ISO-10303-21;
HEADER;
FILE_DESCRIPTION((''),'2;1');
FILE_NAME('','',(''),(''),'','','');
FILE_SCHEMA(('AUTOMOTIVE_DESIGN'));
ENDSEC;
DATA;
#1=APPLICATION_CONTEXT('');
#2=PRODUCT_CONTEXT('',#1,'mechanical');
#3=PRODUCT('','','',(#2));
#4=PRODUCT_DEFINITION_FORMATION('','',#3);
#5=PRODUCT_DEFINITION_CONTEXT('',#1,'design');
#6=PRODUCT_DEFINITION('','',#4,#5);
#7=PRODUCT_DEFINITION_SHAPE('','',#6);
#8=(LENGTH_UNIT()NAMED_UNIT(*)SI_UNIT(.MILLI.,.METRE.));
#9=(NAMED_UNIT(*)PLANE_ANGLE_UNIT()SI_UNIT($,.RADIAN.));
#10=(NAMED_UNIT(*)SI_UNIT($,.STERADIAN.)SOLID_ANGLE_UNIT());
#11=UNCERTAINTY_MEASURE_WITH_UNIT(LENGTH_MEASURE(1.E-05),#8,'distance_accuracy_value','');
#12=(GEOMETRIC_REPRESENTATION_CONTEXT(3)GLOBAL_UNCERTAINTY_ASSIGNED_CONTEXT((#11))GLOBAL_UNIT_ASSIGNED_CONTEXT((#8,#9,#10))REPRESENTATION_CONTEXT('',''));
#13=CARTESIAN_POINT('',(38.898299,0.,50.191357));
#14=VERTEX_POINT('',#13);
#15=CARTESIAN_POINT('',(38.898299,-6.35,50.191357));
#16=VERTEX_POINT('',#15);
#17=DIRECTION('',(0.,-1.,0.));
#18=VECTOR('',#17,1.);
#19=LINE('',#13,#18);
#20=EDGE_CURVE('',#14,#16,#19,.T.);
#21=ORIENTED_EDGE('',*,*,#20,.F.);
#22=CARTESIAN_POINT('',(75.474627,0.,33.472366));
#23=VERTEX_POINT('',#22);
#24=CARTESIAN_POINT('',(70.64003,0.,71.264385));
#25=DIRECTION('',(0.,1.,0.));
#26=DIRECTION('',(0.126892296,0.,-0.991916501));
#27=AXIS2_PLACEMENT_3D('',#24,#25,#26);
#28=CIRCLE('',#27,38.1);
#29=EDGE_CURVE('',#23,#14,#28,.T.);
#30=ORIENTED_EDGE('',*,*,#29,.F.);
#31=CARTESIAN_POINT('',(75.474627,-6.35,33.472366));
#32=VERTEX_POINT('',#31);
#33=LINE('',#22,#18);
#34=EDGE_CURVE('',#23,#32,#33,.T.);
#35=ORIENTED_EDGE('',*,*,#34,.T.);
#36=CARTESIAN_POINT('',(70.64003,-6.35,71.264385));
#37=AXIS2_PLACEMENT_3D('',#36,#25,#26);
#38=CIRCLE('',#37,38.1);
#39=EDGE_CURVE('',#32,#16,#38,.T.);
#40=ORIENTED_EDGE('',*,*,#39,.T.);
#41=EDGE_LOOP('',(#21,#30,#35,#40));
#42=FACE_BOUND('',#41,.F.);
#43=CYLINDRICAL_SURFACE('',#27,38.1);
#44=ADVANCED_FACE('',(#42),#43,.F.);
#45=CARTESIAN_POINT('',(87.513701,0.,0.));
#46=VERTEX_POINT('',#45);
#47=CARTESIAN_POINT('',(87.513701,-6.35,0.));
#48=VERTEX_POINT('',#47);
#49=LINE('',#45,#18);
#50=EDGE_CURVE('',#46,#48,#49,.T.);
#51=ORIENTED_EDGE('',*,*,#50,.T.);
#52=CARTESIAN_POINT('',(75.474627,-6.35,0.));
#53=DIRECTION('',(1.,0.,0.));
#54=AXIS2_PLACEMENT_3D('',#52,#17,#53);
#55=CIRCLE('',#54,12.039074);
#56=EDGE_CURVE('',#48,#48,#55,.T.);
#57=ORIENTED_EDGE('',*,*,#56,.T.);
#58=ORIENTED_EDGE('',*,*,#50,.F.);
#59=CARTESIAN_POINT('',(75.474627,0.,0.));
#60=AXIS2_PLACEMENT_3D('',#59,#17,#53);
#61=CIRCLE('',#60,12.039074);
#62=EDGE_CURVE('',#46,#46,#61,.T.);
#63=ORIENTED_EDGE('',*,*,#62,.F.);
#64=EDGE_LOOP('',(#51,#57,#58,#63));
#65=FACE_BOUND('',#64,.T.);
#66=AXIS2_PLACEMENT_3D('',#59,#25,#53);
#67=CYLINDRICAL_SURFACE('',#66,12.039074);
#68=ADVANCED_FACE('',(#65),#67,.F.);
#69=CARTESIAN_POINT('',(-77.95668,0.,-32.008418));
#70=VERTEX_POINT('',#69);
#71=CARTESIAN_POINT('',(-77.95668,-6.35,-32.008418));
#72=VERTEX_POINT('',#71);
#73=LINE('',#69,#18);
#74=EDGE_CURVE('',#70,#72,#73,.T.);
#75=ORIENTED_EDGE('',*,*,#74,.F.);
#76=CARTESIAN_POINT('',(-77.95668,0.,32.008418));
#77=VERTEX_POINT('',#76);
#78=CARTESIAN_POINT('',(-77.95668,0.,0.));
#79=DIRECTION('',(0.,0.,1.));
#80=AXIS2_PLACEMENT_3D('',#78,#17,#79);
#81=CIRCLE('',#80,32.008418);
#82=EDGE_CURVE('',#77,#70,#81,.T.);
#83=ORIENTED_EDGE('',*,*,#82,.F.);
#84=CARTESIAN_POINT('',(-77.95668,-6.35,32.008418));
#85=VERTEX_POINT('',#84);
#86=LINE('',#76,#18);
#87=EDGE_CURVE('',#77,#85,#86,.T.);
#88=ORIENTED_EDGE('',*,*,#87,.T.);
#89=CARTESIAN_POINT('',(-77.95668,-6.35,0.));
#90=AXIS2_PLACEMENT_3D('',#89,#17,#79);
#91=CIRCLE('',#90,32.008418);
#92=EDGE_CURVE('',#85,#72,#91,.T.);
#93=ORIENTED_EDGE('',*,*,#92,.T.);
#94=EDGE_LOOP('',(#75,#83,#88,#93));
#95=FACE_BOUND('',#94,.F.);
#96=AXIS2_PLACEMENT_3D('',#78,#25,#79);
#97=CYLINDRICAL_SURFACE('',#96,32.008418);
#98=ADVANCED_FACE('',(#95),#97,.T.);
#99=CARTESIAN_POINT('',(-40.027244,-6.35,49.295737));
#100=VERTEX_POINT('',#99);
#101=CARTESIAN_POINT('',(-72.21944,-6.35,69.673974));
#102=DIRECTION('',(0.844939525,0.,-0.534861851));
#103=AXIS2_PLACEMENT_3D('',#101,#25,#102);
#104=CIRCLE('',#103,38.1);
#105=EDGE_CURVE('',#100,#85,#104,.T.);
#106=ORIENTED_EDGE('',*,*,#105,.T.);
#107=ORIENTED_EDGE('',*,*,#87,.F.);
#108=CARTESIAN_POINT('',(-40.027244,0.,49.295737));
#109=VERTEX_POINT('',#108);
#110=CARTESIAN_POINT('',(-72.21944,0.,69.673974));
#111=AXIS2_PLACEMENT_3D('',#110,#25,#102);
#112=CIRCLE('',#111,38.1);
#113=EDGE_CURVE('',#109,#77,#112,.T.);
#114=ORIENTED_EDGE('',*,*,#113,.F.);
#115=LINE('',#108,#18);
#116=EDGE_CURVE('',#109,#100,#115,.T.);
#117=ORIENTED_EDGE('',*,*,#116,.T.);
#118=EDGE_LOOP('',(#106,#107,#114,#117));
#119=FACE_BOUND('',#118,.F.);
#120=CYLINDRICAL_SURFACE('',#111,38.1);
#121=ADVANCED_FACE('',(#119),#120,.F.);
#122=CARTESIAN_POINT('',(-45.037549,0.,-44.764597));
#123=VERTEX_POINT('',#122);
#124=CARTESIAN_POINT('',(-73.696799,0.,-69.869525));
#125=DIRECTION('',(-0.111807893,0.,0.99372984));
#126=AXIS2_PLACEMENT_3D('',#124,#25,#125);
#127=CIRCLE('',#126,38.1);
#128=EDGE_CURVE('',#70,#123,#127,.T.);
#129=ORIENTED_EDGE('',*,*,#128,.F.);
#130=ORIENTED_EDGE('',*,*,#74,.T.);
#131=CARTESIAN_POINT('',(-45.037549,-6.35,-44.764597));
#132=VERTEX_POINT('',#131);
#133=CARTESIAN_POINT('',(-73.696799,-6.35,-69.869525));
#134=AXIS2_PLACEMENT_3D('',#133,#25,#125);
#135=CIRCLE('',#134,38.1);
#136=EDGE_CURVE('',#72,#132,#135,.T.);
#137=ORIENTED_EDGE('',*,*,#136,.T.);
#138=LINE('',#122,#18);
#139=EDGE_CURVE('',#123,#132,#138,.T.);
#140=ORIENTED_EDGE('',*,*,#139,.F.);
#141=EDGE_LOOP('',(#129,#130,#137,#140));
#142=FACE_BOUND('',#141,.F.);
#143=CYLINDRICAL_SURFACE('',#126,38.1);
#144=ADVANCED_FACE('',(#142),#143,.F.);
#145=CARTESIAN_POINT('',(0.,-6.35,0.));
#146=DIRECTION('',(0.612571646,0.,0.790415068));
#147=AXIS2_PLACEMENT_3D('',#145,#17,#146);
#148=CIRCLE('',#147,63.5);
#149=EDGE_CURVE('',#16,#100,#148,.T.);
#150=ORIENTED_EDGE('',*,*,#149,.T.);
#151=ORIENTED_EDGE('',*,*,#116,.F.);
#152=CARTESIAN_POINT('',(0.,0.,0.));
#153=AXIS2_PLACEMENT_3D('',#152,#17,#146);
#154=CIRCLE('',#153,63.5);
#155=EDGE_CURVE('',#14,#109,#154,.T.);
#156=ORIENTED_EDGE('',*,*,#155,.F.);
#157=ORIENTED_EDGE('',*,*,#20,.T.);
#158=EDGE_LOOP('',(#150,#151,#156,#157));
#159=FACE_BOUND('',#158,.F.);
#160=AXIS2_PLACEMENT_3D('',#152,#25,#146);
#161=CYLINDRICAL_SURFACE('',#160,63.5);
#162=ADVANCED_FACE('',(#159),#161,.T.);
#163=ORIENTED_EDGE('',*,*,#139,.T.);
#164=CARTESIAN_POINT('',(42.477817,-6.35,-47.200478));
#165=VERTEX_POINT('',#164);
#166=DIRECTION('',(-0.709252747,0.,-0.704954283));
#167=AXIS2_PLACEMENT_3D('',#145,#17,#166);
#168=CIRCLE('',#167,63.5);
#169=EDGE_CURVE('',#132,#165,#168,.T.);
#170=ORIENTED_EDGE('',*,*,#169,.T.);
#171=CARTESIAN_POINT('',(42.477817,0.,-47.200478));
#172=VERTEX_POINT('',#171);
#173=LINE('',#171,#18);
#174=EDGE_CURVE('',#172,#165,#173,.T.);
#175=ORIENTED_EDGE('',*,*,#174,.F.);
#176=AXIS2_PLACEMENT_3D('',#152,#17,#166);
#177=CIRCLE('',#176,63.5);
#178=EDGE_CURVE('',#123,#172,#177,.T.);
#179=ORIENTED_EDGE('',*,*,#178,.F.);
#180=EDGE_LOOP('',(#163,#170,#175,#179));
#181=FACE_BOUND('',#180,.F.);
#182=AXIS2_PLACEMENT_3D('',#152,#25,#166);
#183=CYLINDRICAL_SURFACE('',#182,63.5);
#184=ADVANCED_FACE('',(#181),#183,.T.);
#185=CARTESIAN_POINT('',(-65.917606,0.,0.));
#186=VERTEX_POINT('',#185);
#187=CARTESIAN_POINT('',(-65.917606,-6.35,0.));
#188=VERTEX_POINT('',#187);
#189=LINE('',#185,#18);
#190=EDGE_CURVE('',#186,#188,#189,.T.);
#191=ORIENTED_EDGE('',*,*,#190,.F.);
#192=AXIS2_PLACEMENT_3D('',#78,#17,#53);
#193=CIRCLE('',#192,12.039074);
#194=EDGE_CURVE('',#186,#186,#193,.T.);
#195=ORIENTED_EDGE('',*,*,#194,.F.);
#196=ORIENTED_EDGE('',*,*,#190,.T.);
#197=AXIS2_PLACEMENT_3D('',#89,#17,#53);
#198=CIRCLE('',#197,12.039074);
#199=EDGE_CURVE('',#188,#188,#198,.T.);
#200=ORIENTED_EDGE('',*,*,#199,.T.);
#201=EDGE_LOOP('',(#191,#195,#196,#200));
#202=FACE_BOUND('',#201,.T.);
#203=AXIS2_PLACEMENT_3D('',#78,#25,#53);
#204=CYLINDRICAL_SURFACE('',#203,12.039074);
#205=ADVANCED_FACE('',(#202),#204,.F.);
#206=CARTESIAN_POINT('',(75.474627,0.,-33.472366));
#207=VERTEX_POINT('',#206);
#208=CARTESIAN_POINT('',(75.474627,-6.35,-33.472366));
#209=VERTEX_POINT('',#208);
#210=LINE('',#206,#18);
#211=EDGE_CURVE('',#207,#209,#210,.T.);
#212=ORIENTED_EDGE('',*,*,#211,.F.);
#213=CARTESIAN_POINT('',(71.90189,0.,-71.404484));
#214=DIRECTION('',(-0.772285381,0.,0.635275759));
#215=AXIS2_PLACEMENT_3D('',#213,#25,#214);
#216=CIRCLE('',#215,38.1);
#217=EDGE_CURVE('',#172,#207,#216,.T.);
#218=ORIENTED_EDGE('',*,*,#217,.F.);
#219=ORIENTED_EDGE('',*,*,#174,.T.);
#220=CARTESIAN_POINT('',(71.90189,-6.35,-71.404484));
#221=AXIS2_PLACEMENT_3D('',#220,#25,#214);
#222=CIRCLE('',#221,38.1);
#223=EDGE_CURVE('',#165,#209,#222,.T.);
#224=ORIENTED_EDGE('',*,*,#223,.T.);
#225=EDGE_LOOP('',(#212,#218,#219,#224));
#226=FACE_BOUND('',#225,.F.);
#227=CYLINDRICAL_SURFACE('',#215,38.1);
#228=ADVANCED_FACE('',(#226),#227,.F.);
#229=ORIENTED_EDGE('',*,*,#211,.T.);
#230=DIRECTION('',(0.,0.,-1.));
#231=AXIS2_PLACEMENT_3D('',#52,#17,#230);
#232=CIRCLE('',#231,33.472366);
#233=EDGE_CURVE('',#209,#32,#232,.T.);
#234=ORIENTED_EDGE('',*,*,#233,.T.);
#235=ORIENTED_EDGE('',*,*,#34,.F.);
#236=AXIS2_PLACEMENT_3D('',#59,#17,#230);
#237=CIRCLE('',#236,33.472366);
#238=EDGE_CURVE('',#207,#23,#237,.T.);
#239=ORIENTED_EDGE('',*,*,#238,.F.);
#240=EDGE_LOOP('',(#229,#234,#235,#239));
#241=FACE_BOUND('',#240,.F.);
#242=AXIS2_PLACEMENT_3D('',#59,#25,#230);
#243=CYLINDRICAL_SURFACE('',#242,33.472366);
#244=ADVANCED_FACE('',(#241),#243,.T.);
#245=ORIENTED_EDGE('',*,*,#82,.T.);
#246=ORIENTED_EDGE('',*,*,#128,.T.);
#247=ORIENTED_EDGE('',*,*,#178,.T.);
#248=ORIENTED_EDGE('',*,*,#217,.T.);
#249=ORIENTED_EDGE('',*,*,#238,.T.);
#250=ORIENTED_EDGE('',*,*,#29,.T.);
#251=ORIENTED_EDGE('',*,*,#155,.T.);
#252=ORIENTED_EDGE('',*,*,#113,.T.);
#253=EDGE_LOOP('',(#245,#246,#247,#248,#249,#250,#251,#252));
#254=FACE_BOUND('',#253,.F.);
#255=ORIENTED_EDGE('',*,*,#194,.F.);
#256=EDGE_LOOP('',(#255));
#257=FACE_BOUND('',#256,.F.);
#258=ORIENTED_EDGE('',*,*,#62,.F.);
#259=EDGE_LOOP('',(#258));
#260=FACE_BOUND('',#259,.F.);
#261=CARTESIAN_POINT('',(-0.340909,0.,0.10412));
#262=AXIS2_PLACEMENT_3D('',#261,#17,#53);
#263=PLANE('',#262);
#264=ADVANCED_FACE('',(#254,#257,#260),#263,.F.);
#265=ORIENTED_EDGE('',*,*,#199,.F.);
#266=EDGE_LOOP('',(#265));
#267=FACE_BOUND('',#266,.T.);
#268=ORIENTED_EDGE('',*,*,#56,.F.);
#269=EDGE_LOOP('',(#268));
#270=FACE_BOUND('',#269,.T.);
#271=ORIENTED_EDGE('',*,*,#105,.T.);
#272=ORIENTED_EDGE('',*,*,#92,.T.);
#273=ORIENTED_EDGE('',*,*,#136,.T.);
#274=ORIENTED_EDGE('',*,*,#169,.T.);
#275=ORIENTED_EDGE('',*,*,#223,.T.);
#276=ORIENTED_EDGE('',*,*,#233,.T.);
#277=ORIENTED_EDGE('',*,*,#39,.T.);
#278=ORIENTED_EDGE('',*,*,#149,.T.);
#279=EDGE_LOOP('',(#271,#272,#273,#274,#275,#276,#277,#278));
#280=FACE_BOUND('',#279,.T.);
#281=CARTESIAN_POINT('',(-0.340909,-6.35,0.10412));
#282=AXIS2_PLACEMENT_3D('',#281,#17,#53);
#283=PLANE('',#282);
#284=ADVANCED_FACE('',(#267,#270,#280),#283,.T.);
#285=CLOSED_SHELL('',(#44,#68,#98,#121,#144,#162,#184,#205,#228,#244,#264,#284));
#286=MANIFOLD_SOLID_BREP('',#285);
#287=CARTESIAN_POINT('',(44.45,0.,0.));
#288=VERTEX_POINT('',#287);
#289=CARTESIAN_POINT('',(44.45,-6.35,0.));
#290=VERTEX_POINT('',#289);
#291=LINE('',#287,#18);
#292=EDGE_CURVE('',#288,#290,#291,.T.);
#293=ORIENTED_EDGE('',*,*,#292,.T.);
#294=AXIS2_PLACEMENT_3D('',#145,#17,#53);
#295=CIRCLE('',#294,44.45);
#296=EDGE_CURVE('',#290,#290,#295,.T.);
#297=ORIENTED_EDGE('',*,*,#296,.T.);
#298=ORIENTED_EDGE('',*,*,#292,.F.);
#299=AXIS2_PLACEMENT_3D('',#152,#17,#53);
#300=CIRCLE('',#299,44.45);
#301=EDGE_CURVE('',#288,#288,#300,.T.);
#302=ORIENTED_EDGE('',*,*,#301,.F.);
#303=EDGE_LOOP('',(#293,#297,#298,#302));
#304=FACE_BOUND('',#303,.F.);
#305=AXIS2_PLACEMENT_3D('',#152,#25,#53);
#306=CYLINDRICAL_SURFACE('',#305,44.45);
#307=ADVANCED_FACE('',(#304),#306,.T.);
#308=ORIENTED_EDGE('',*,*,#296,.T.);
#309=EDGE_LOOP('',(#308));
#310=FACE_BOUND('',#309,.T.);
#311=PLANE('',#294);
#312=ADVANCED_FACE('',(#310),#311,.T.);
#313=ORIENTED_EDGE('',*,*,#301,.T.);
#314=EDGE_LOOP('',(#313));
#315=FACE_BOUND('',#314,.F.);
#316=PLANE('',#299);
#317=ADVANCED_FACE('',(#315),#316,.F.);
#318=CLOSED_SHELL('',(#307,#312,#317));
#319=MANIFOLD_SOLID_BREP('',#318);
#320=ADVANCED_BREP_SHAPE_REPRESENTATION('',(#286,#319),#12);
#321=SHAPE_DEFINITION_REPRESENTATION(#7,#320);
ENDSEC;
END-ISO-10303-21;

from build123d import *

# Parameters (mm, degrees)
F0_R     = 44.45
F2_DEPTH = 6.35
F1_R     = 12.0390740619


with BuildPart() as f2:
    # F0 (on Front) → F2 (new body)
    with BuildSketch(Plane.XZ):
        Circle(F0_R)
    extrude(amount=F2_DEPTH)


with BuildPart() as f2b:
    # F1 (on Front) → F2, piece 2 (new body)
    with BuildSketch(Plane.XZ):
        with BuildLine():
            ThreePointArc((75.4746268347, 33.4723664156), (54.8008501345, 36.612828573), (38.8982994904, 50.1913567933))
            ThreePointArc((38.8982994904, 50.1913567933), (-0.7205293928, 63.4959119739), (-40.0272442255, 49.2957373381))
            ThreePointArc((-40.0272442255, 49.2957373381), (-56.418205053, 35.0050977481), (-77.9566796609, 32.0084182016))
            ThreePointArc((-77.9566796609, 32.0084182016), (-109.9650978625, 0), (-77.9566796609, -32.0084182016))
            ThreePointArc((-77.9566796609, -32.0084182016), (-59.9304514247, -34.343511035), (-45.0375494063, -44.7645969877))
            ThreePointArc((-45.0375494063, -44.7645969877), (-1.7667587777, -63.4754170008), (42.4778166696, -47.2004776563))
            ThreePointArc((42.4778166696, -47.2004776563), (57.2667213903, -36.2274766808), (75.4746268347, -33.4723664156))
            ThreePointArc((75.4746268347, -33.4723664156), (108.9469932503, 0), (75.4746268347, 33.4723664156))
        make_face()
        with Locations((-77.9566796609, 0)):
            Circle(F1_R, mode=Mode.SUBTRACT)
        with Locations((75.4746268347, 0)):
            Circle(F1_R, mode=Mode.SUBTRACT)
    extrude(amount=F2_DEPTH)


solid = Compound([f2.part, f2b.part])
